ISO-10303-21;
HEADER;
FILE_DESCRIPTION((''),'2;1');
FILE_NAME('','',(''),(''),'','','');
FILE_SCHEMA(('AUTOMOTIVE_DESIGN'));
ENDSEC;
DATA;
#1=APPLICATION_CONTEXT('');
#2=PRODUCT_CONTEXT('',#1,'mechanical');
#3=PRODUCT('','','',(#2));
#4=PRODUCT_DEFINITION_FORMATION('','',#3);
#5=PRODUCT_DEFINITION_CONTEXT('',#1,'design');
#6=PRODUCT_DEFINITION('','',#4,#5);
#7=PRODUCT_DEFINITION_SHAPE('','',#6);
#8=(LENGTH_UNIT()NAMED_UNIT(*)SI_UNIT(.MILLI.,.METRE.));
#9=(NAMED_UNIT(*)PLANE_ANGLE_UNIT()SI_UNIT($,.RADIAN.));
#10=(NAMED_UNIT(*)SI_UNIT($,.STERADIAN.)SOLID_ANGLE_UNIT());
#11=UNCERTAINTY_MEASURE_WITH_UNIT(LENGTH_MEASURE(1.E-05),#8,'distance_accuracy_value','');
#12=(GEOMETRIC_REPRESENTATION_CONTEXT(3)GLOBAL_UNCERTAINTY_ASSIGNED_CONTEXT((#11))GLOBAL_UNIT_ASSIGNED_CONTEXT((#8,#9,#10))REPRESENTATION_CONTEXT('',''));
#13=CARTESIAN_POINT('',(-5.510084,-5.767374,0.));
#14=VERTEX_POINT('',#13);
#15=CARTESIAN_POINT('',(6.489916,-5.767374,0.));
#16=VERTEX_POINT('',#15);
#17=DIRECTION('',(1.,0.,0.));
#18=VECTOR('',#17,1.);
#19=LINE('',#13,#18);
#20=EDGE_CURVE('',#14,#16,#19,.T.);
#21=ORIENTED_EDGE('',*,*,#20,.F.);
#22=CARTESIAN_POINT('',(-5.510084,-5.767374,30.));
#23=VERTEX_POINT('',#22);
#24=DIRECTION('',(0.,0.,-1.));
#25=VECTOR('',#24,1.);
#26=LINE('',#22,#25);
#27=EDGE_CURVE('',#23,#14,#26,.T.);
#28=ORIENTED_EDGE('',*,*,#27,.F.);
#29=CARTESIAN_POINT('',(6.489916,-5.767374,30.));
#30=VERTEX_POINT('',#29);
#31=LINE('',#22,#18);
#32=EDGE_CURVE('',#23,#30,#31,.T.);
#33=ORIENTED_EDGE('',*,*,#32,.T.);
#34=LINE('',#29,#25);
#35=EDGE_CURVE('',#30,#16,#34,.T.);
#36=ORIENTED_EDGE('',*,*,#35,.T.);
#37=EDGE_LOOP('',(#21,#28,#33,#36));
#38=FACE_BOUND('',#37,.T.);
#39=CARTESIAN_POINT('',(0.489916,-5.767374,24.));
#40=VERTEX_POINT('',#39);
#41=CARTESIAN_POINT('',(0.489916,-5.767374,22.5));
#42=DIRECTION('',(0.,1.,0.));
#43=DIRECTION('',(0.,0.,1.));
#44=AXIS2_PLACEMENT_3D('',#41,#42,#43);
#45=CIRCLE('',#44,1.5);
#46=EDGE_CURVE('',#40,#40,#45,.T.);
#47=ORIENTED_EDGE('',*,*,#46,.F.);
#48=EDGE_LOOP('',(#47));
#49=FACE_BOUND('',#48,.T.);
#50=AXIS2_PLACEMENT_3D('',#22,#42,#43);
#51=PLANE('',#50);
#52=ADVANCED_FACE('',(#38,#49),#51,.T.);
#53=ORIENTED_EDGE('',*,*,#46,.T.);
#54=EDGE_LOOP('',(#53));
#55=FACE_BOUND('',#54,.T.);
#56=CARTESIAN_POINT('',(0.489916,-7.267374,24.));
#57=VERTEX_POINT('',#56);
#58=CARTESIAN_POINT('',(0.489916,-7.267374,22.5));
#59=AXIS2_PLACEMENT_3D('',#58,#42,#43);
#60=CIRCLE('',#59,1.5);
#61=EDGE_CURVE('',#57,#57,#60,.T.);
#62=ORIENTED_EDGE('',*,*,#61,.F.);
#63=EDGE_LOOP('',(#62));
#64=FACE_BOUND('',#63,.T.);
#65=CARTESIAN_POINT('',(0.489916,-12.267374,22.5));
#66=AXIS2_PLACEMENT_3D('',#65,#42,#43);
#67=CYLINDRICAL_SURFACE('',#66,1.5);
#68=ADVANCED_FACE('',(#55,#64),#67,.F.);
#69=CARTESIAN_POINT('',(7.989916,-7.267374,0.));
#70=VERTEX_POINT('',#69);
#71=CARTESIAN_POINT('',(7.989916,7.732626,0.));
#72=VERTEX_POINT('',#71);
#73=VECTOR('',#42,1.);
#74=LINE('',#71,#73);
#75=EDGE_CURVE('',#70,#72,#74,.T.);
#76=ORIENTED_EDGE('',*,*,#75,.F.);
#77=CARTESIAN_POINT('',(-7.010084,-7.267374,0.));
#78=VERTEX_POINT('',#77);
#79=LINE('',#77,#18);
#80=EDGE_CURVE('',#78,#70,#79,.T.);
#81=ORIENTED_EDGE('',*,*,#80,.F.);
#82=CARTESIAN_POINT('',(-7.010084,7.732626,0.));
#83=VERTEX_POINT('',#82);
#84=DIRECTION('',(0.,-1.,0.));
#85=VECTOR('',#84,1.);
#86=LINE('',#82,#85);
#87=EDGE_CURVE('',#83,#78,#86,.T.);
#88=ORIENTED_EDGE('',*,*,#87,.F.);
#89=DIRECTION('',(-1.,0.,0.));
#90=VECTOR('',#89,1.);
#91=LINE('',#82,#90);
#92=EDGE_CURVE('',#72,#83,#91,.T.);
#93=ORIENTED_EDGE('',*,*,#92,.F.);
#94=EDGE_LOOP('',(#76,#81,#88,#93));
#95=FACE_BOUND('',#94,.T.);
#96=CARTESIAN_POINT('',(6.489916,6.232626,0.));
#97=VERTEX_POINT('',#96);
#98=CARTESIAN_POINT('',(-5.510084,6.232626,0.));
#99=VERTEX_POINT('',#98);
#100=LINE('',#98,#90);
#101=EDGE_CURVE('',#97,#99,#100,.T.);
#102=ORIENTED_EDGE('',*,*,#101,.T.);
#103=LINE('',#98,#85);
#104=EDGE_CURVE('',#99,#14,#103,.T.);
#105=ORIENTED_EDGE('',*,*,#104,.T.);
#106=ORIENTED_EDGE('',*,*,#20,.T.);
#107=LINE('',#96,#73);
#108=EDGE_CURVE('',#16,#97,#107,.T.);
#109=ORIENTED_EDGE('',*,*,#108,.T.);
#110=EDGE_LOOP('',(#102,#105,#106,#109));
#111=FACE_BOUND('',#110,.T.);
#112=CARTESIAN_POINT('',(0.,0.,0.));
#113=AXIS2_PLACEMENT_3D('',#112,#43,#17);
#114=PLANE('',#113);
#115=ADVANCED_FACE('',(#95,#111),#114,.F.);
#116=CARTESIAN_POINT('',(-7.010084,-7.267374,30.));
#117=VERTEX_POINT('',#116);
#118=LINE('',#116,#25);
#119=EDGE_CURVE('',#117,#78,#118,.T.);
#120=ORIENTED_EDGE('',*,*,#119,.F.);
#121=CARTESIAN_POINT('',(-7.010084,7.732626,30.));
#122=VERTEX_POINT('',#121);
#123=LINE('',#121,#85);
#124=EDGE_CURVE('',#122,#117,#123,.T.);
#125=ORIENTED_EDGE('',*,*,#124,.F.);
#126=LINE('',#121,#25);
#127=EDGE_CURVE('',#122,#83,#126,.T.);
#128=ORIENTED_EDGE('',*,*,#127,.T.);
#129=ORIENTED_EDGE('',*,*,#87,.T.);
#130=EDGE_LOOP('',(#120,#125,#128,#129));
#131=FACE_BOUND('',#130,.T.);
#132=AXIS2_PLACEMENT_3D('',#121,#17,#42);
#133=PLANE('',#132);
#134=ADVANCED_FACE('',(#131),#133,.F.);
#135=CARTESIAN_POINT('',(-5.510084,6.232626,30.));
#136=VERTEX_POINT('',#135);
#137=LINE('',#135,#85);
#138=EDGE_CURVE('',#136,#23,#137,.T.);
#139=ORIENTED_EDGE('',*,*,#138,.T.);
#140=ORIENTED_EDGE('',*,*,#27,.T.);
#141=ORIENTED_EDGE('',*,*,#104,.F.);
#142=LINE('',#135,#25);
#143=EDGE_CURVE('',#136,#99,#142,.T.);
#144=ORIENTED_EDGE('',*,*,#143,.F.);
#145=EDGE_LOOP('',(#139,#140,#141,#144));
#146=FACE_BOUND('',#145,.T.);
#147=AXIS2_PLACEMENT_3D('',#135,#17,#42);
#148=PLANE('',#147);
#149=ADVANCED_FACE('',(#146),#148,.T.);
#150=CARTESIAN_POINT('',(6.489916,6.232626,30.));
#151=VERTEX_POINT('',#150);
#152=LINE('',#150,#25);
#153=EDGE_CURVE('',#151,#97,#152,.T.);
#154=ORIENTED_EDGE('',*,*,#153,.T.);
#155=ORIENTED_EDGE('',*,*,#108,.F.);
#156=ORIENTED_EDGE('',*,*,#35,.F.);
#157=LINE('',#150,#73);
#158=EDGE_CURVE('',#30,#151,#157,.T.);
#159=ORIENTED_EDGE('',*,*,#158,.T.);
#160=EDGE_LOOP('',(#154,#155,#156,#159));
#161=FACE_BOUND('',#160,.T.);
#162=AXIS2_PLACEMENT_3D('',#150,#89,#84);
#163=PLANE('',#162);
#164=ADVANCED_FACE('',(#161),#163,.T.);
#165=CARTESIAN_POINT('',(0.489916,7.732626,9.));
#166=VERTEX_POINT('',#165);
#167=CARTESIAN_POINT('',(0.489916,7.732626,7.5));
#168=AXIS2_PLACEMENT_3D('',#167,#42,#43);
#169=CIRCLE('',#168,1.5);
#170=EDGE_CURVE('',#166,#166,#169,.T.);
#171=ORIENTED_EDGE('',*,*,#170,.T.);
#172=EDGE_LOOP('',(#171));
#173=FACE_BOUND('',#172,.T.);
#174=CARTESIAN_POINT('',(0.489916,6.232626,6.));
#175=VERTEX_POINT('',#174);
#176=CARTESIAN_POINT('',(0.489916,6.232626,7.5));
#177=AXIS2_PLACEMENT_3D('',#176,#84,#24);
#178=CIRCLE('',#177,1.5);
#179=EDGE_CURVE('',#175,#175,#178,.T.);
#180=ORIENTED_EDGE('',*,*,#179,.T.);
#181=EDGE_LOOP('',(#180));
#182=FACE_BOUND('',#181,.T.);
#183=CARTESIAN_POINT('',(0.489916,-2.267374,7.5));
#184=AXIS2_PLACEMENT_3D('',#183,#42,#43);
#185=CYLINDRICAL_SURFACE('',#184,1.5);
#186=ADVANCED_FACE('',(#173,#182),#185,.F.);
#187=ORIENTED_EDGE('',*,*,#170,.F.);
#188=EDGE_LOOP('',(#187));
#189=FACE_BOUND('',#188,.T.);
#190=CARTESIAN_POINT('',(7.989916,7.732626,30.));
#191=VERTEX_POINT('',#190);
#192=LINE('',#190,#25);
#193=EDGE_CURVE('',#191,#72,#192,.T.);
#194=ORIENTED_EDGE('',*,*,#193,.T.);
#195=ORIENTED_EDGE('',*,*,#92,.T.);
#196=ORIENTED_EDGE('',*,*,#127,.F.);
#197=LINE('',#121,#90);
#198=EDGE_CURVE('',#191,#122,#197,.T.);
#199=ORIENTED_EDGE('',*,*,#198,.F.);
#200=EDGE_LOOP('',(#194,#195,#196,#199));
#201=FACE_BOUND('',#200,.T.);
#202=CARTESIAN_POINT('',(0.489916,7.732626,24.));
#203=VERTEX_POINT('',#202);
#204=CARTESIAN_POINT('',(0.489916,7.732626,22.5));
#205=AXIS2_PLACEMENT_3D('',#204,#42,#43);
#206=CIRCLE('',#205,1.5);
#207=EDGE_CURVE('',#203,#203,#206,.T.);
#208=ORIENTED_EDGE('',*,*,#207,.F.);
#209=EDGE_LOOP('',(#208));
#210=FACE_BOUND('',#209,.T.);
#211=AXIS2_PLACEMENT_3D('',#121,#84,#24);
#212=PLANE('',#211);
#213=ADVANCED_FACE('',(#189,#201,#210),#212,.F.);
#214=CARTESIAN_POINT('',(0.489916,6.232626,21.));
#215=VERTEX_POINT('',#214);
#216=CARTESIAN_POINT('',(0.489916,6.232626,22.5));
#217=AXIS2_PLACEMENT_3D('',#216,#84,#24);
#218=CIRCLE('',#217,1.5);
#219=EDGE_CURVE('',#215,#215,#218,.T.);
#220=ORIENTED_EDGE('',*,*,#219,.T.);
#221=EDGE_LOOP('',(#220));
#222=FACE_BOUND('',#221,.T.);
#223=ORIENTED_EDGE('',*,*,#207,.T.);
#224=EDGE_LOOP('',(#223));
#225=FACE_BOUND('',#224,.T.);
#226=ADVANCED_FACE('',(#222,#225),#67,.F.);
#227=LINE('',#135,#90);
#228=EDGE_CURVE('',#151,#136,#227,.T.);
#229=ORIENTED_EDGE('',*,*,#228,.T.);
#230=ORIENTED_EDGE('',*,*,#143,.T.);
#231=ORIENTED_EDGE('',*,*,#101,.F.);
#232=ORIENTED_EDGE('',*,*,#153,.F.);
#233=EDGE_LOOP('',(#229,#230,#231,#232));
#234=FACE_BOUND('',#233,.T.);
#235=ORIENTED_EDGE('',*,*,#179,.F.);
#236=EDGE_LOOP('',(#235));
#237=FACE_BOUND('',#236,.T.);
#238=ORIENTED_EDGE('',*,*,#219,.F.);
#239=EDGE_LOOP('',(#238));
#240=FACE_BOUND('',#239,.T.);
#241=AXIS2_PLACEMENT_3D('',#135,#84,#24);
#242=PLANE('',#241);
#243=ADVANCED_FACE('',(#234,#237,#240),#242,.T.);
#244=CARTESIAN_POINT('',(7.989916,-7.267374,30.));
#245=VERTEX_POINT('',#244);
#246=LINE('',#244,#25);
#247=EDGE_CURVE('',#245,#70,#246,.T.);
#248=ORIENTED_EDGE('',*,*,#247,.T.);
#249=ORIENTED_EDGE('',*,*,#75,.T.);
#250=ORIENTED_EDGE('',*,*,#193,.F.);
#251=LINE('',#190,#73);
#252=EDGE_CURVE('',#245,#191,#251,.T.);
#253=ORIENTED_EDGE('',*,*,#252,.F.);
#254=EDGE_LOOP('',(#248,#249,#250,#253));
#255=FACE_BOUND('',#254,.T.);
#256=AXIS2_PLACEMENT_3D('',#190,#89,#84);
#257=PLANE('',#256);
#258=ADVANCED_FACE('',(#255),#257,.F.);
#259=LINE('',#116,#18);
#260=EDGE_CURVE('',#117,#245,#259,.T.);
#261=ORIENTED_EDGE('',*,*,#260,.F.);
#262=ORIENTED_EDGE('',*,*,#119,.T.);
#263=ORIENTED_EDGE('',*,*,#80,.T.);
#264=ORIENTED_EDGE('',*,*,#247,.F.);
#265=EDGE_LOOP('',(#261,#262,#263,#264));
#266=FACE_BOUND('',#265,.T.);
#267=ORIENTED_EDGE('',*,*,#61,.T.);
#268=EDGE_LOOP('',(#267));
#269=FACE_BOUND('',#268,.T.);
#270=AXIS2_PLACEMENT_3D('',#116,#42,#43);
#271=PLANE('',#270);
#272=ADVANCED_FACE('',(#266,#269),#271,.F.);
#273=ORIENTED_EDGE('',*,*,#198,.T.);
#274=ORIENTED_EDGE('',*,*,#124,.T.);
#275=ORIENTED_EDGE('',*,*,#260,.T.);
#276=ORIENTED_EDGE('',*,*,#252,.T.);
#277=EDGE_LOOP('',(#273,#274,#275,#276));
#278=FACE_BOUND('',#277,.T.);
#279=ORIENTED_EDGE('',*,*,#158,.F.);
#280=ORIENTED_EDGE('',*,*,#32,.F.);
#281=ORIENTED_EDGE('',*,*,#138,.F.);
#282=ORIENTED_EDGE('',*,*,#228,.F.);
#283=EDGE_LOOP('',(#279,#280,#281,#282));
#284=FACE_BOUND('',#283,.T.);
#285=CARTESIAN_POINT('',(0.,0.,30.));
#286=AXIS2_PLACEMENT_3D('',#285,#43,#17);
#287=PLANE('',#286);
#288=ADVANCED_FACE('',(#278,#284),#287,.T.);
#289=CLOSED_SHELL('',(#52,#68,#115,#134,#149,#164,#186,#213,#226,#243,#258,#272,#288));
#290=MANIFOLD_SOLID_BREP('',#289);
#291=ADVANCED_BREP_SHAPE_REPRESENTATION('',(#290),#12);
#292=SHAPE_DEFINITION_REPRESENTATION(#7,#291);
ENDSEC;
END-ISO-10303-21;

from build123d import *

# Parameters (mm, degrees)
SKETCH_1_W          = 15
SKETCH_1_H          = 15
SKETCH_1_W_2        = 12
SKETCH_1_H_2        = 12
EXTRUDE_2_DEPTH     = 30
SKETCH_2_R          = 1.5
CUT_EXTRUDE_1_DEPTH = 20
SKETCH_3_R          = 1.5
CUT_EXTRUDE_2_DEPTH = 10


with BuildPart() as part:
    # ｽｹｯﾁ1 → ﾎﾞｽ - 押し出し2 (new body)
    with BuildSketch(Plane.XY):
        with Locations((0.489915859, 0.232626086)):
            Rectangle(SKETCH_1_W, SKETCH_1_H)
        with Locations((0.489915859, 0.232626086)):
            Rectangle(SKETCH_1_W_2, SKETCH_1_H_2, mode=Mode.SUBTRACT)
    extrude(amount=EXTRUDE_2_DEPTH)

    # ｽｹｯﾁ2 → ｶｯﾄ - 押し出し1 (cut)
    with BuildSketch(Plane(origin=(0, 7.732626086, 0), x_dir=(1, 0, 0), z_dir=(0, 1, 0))):
        with Locations((0.489915859, -22.5)):
            Circle(SKETCH_2_R)
    extrude(amount=-CUT_EXTRUDE_1_DEPTH, mode=Mode.SUBTRACT)

    # ｽｹｯﾁ3 → ｶｯﾄ - 押し出し2 (cut)
    with BuildSketch(Plane(origin=(0, 7.732626086, 0), x_dir=(1, 0, 0), z_dir=(0, 1, 0))):
        with Locations((0.489915859, -7.5)):
            Circle(SKETCH_3_R)
    extrude(amount=-CUT_EXTRUDE_2_DEPTH, mode=Mode.SUBTRACT)


solid = part.part
